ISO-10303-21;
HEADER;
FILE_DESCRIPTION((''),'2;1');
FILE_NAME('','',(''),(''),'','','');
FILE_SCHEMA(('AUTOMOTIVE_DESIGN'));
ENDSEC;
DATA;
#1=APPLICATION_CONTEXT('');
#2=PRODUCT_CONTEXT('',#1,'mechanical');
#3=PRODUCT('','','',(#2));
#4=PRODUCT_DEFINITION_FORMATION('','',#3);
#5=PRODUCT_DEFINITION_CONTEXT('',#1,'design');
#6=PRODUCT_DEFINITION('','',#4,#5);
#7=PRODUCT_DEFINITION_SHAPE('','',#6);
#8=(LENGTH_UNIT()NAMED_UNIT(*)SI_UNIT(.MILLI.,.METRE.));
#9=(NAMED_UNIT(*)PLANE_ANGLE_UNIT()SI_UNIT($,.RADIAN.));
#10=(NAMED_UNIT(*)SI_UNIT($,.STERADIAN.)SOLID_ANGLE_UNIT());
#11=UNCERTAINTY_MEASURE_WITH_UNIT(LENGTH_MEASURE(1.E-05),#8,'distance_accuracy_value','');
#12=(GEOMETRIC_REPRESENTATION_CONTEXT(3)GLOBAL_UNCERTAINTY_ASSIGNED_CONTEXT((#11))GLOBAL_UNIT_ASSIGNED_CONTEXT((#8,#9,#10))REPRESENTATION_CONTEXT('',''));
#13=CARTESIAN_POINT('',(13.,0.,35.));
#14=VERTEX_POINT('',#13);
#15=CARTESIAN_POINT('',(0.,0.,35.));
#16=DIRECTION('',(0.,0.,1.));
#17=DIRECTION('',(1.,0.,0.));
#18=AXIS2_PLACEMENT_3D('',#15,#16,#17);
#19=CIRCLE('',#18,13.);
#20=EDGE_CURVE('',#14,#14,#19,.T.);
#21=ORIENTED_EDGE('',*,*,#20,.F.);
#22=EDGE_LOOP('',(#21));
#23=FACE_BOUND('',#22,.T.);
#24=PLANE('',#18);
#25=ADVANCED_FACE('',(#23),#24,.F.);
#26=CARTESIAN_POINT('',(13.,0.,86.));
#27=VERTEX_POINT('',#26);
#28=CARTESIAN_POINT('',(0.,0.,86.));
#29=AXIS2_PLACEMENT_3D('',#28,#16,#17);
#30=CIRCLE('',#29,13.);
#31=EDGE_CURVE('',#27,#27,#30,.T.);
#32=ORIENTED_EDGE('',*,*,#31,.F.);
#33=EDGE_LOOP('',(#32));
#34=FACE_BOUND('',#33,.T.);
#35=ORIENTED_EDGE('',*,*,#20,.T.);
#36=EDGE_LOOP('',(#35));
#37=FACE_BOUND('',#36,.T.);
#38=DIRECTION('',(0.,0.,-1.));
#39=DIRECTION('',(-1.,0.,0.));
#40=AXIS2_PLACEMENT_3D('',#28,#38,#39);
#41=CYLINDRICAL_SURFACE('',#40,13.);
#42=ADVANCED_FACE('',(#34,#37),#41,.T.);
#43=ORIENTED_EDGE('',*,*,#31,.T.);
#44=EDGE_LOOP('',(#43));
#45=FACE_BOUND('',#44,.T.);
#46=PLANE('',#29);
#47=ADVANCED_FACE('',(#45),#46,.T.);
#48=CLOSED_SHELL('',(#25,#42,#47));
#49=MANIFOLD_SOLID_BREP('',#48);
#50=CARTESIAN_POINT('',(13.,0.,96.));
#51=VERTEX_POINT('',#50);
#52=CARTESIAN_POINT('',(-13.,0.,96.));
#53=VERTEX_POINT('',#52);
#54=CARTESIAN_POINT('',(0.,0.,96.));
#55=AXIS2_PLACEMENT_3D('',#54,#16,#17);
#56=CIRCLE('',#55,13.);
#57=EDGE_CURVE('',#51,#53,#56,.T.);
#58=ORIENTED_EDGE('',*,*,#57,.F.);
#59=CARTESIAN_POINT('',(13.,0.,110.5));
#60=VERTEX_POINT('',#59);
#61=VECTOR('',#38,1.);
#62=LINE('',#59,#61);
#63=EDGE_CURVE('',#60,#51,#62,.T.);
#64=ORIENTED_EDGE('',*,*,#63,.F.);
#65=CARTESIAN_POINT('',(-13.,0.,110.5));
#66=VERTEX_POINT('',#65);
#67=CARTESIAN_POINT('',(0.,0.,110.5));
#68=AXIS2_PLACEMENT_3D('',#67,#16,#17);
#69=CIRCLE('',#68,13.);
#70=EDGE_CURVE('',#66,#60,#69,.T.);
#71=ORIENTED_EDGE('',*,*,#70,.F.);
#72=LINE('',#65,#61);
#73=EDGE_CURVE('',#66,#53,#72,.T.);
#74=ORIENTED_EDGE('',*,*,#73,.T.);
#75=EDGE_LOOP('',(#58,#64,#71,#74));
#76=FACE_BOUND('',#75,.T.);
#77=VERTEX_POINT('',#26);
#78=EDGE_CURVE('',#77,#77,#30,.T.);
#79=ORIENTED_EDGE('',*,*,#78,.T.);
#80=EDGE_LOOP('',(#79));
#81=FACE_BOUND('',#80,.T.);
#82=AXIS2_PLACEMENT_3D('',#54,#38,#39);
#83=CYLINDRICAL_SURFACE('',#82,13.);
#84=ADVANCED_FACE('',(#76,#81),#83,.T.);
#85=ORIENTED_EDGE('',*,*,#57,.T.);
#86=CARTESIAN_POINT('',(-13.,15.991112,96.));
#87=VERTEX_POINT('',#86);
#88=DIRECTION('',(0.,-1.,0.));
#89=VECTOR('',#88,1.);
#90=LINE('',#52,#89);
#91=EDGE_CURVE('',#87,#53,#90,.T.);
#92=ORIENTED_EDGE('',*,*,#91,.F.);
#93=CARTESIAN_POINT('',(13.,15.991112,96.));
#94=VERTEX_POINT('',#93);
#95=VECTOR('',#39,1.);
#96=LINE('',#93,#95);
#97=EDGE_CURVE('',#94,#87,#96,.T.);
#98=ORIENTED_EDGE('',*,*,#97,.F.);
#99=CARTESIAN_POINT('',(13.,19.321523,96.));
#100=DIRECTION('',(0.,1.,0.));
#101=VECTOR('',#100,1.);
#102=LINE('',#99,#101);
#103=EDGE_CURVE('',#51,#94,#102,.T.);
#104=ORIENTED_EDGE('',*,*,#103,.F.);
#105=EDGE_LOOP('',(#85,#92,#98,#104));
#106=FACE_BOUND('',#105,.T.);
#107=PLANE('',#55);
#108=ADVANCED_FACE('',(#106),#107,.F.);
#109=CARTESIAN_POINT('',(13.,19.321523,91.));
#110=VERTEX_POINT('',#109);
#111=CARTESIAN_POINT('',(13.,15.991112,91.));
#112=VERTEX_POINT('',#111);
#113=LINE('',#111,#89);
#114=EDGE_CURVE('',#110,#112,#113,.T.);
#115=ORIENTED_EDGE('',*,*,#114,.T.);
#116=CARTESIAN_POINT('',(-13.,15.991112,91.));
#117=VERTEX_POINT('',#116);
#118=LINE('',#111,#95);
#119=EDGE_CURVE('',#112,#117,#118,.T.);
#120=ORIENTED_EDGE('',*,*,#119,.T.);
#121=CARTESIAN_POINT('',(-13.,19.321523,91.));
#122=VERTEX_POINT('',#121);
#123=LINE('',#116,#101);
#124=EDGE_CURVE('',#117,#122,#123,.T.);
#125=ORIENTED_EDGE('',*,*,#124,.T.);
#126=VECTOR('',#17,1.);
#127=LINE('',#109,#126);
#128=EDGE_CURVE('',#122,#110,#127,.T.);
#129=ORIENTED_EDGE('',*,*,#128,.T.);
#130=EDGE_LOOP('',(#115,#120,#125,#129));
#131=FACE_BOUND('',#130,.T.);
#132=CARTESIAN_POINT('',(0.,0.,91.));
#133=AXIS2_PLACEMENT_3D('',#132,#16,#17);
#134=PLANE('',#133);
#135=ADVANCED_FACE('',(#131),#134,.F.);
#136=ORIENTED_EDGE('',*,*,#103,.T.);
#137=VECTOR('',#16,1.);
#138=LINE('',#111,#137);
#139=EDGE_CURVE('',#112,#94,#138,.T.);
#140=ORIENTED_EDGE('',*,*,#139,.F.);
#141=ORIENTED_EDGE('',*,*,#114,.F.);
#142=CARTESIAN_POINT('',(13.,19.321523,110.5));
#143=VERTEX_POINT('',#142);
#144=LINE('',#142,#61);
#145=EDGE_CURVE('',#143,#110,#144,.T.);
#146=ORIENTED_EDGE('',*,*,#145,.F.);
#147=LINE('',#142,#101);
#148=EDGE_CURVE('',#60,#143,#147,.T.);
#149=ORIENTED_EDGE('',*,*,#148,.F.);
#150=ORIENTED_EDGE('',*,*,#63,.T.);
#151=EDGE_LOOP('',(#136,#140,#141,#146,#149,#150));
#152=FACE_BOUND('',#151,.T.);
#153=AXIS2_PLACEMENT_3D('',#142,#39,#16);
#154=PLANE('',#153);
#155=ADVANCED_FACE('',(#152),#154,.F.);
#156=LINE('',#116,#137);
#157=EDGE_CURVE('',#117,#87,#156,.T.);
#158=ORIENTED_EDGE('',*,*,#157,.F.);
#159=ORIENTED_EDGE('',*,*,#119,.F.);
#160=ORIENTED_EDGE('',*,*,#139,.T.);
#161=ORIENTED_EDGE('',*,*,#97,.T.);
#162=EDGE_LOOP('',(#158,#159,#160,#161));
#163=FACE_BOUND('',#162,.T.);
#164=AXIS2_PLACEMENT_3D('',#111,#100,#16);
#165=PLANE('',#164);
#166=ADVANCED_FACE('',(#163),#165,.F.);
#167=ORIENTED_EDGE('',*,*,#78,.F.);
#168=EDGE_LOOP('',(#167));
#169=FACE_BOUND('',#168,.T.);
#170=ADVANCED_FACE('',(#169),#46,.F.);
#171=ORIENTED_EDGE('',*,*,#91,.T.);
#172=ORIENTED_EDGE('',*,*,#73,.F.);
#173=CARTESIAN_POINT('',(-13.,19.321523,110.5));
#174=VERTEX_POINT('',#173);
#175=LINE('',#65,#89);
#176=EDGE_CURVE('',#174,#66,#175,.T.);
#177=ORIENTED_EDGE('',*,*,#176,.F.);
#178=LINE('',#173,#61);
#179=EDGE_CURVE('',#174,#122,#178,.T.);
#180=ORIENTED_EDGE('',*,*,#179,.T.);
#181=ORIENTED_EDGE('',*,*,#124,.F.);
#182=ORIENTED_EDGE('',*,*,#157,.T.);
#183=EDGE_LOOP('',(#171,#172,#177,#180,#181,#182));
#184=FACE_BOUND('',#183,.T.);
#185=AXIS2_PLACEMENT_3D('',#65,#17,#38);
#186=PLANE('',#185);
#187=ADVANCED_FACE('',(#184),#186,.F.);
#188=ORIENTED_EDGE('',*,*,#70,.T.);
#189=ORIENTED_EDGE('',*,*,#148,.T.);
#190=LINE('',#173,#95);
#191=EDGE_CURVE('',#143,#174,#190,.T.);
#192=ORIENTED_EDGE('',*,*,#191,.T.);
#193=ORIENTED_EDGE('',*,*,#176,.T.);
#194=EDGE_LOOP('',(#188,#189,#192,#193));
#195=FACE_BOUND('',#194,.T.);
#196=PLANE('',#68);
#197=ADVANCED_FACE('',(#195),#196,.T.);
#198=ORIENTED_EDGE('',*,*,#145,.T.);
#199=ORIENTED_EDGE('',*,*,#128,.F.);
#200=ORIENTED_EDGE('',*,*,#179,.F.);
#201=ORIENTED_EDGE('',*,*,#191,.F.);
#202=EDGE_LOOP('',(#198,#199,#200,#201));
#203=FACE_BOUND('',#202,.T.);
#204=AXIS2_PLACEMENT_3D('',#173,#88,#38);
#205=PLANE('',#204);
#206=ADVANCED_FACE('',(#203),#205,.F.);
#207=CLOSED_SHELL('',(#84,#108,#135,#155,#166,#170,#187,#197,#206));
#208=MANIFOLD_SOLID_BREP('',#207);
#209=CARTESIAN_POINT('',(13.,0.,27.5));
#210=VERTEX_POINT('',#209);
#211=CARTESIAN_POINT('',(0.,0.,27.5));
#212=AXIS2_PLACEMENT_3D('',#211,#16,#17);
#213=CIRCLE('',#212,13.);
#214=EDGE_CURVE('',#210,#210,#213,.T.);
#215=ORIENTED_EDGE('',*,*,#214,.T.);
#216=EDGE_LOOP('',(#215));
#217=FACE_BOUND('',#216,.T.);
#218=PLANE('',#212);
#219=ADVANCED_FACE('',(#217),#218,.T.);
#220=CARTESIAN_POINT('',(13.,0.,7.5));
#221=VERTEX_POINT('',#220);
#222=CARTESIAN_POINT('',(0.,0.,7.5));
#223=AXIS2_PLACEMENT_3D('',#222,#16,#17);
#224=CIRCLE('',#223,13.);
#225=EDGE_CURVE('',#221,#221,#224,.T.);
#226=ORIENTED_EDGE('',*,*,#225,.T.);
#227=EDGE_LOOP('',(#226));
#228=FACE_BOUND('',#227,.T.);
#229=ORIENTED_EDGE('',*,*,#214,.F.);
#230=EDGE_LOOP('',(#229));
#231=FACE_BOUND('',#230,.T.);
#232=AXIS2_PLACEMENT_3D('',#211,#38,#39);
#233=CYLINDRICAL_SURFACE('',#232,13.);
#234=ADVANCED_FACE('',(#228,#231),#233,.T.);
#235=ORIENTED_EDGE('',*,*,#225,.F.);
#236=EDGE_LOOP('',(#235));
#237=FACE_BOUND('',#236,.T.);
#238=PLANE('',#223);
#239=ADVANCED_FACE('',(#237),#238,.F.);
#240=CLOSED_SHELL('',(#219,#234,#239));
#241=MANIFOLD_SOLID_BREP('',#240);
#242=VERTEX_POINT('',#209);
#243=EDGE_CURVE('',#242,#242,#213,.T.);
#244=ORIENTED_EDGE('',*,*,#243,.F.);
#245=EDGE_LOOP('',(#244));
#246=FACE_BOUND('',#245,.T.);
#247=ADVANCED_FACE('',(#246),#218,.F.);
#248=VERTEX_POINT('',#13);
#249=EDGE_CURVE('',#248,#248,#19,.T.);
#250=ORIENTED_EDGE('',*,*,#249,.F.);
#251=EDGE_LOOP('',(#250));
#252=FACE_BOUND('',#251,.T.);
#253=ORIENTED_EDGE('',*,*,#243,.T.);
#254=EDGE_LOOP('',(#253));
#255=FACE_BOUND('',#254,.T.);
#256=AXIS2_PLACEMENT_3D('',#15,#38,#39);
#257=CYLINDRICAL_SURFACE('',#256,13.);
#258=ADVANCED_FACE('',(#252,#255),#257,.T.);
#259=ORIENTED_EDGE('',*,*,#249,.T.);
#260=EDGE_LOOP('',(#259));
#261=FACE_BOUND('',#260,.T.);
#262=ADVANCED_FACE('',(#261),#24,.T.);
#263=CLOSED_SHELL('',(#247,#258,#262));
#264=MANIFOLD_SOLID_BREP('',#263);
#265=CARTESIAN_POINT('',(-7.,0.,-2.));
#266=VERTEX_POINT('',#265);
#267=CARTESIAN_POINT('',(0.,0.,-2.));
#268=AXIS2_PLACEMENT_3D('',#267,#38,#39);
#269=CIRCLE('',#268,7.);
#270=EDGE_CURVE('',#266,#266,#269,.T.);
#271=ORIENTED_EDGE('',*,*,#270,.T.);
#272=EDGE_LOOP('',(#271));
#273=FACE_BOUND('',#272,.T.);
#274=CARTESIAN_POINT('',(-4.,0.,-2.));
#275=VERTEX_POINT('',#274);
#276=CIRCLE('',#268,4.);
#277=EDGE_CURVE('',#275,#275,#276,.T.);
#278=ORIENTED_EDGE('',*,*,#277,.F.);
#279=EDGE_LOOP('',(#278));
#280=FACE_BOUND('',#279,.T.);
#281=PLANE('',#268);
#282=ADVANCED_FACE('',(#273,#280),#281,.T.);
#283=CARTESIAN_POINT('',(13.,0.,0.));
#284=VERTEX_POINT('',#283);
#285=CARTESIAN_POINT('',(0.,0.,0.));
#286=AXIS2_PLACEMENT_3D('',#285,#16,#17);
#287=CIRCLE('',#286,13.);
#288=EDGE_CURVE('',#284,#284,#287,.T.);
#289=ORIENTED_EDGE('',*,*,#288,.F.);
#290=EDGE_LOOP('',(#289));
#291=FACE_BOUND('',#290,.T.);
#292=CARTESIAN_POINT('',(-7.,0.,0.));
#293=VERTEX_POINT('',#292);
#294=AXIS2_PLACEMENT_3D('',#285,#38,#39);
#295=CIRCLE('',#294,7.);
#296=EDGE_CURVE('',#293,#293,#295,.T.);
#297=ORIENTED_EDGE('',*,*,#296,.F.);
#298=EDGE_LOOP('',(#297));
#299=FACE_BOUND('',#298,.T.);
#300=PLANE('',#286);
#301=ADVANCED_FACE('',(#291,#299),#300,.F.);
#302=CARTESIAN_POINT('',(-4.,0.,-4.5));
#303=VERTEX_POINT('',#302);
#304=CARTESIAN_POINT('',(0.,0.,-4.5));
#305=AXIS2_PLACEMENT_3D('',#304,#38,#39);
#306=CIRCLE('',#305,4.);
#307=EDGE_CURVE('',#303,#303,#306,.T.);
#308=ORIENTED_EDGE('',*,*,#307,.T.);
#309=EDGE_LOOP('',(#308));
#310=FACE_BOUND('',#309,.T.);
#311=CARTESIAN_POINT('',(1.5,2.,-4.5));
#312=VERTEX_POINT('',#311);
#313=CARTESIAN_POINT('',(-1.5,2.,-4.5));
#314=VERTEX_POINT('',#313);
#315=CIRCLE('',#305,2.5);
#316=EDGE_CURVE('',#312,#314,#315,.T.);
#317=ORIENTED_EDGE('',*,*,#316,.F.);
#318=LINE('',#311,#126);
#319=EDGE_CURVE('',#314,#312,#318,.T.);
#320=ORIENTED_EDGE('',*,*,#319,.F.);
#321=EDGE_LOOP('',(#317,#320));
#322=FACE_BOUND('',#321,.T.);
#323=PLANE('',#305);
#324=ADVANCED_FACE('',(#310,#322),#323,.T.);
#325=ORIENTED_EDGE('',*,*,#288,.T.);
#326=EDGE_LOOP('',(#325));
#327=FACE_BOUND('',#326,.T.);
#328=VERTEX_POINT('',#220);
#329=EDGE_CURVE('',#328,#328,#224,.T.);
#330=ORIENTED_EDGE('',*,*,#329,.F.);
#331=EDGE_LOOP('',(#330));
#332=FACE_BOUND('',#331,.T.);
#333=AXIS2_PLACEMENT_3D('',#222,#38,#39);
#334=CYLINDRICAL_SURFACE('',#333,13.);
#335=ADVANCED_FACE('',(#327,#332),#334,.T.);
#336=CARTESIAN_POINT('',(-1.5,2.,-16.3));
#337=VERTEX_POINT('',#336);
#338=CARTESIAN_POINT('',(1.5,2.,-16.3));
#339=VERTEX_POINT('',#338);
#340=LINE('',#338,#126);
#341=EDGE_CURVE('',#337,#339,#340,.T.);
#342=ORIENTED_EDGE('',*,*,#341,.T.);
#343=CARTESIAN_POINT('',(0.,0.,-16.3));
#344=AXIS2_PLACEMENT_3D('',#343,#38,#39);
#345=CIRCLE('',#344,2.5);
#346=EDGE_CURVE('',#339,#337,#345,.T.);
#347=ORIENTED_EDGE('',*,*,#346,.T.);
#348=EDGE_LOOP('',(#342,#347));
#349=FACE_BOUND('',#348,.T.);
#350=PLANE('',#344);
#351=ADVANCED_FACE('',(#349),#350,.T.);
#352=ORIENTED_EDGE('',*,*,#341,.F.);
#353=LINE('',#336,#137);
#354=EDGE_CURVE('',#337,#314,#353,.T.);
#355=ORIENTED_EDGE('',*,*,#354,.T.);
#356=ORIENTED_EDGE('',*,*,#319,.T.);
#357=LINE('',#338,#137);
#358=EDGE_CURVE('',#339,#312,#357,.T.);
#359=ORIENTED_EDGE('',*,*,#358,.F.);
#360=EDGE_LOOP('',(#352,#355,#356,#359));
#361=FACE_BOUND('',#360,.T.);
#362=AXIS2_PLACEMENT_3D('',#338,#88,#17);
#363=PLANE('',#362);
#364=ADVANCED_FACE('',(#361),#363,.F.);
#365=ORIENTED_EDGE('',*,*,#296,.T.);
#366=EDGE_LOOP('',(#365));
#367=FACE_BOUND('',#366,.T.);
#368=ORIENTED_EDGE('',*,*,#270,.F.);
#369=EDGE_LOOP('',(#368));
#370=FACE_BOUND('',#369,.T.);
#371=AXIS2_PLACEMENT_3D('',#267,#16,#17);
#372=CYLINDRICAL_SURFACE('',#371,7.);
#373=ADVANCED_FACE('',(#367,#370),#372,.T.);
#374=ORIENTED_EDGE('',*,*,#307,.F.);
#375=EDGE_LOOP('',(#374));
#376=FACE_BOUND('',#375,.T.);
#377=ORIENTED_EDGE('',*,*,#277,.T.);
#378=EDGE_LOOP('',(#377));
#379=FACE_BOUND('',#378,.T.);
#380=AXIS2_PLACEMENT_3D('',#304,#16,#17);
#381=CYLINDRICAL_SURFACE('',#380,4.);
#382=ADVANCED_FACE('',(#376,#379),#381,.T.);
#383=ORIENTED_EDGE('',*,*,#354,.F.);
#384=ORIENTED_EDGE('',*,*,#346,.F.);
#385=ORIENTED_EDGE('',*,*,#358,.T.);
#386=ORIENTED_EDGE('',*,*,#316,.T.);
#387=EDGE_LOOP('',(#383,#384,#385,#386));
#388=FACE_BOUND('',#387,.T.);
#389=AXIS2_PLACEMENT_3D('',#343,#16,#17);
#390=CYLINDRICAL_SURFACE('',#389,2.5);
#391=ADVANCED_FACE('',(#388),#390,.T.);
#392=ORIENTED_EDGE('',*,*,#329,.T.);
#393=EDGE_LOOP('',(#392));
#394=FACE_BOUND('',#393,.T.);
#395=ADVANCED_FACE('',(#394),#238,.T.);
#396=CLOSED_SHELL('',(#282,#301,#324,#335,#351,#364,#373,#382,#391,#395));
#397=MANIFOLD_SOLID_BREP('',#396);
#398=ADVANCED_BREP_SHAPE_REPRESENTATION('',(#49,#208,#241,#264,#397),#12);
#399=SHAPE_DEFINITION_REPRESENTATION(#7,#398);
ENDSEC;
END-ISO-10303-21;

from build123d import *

# Parameters (mm, degrees)
ESQUISSE1_R         = 13
BOSS_EXTRU_1_DEPTH  = 7.5
ESQUISSE2_R         = 13
BOSS_EXTRU_2_DEPTH  = 20
ESQUISSE3_R         = 13
BOSS_EXTRU_3_DEPTH  = 7.5
ESQUISSE4_R         = 13
BOSS_EXTRU_4_DEPTH  = 51
ESQUISSE5_R         = 13
BOSS_EXTRU_5_DEPTH  = 10
BOSS_EXTRU_6_DEPTH  = 14.5
ESQUISSE7_W         = 26
ESQUISSE7_H         = 3.33041152
BOSS_EXTRU_7_DEPTH  = 5
ESQUISSE10_R        = 7
BOSS_EXTRU_8_DEPTH  = 2
ESQUISSE11_R        = 4
BOSS_EXTRU_9_DEPTH  = 2.5
BOSS_EXTRU_10_DEPTH = 11.8


with BuildPart() as part:
    # Esquisse1 → Boss.-Extru.1 (new body)
    with BuildSketch(Plane.XY):
        Circle(ESQUISSE1_R)
    extrude(amount=BOSS_EXTRU_1_DEPTH)

    # Esquisse10 → Boss.-Extru.8 (add)
    with BuildSketch(Plane(origin=(0, 0, 0), x_dir=(-1, 0, 0), z_dir=(0, 0, -1))):
        Circle(ESQUISSE10_R)
    extrude(amount=BOSS_EXTRU_8_DEPTH)

    # Esquisse11 → Boss.-Extru.9 (add)
    with BuildSketch(Plane(origin=(0, 0, -2), x_dir=(-1, 0, 0), z_dir=(0, 0, -1))):
        Circle(ESQUISSE11_R)
    extrude(amount=BOSS_EXTRU_9_DEPTH)

    # Esquisse12 → Boss.-Extru.10 (add)
    with BuildSketch(Plane(origin=(0, 0, -4.5), x_dir=(-1, 0, 0), z_dir=(0, 0, -1))):
        with BuildLine():
            Line((-1.5, 2), (1.5, 2))
            ThreePointArc((1.5, 2), (0, -2.5), (-1.5, 2))
        make_face()
    extrude(amount=BOSS_EXTRU_10_DEPTH)


with BuildPart() as body_2:
    # Esquisse2 → Boss.-Extru.2 (new body)
    with BuildSketch(Plane.XY.offset(7.5)):
        Circle(ESQUISSE2_R)
    extrude(amount=BOSS_EXTRU_2_DEPTH)


with BuildPart() as body_3:
    # Esquisse3 → Boss.-Extru.3 (new body)
    with BuildSketch(Plane.XY.offset(27.5)):
        Circle(ESQUISSE3_R)
    extrude(amount=BOSS_EXTRU_3_DEPTH)


with BuildPart() as body_4:
    # Esquisse4 → Boss.-Extru.4 (new body)
    with BuildSketch(Plane.XY.offset(35)):
        Circle(ESQUISSE4_R)
    extrude(amount=BOSS_EXTRU_4_DEPTH)


with BuildPart() as body_5:
    # Esquisse5 → Boss.-Extru.5 (new body)
    with BuildSketch(Plane.XY.offset(86)):
        Circle(ESQUISSE5_R)
    extrude(amount=BOSS_EXTRU_5_DEPTH)

    # Esquisse6 → Boss.-Extru.6 (add)
    with BuildSketch(Plane.XY.offset(96)):
        with BuildLine():
            Line((-13, 0), (-13, 19.321523154))
            Line((-13, 19.321523154), (13, 19.321523154))
            Line((13, 19.321523154), (13, 0))
            ThreePointArc((13, 0), (0, -13), (-13, 0))
        make_face()
    extrude(amount=BOSS_EXTRU_6_DEPTH)

    # Esquisse7 → Boss.-Extru.7 (add)
    with BuildSketch(Plane(origin=(0, 0, 96), x_dir=(-1, 0, 0), z_dir=(0, 0, -1))):
        with Locations((0, 17.656317394)):
            Rectangle(ESQUISSE7_W, ESQUISSE7_H)
    extrude(amount=BOSS_EXTRU_7_DEPTH)


solid = Compound([part.part, body_2.part, body_3.part, body_4.part, body_5.part])
